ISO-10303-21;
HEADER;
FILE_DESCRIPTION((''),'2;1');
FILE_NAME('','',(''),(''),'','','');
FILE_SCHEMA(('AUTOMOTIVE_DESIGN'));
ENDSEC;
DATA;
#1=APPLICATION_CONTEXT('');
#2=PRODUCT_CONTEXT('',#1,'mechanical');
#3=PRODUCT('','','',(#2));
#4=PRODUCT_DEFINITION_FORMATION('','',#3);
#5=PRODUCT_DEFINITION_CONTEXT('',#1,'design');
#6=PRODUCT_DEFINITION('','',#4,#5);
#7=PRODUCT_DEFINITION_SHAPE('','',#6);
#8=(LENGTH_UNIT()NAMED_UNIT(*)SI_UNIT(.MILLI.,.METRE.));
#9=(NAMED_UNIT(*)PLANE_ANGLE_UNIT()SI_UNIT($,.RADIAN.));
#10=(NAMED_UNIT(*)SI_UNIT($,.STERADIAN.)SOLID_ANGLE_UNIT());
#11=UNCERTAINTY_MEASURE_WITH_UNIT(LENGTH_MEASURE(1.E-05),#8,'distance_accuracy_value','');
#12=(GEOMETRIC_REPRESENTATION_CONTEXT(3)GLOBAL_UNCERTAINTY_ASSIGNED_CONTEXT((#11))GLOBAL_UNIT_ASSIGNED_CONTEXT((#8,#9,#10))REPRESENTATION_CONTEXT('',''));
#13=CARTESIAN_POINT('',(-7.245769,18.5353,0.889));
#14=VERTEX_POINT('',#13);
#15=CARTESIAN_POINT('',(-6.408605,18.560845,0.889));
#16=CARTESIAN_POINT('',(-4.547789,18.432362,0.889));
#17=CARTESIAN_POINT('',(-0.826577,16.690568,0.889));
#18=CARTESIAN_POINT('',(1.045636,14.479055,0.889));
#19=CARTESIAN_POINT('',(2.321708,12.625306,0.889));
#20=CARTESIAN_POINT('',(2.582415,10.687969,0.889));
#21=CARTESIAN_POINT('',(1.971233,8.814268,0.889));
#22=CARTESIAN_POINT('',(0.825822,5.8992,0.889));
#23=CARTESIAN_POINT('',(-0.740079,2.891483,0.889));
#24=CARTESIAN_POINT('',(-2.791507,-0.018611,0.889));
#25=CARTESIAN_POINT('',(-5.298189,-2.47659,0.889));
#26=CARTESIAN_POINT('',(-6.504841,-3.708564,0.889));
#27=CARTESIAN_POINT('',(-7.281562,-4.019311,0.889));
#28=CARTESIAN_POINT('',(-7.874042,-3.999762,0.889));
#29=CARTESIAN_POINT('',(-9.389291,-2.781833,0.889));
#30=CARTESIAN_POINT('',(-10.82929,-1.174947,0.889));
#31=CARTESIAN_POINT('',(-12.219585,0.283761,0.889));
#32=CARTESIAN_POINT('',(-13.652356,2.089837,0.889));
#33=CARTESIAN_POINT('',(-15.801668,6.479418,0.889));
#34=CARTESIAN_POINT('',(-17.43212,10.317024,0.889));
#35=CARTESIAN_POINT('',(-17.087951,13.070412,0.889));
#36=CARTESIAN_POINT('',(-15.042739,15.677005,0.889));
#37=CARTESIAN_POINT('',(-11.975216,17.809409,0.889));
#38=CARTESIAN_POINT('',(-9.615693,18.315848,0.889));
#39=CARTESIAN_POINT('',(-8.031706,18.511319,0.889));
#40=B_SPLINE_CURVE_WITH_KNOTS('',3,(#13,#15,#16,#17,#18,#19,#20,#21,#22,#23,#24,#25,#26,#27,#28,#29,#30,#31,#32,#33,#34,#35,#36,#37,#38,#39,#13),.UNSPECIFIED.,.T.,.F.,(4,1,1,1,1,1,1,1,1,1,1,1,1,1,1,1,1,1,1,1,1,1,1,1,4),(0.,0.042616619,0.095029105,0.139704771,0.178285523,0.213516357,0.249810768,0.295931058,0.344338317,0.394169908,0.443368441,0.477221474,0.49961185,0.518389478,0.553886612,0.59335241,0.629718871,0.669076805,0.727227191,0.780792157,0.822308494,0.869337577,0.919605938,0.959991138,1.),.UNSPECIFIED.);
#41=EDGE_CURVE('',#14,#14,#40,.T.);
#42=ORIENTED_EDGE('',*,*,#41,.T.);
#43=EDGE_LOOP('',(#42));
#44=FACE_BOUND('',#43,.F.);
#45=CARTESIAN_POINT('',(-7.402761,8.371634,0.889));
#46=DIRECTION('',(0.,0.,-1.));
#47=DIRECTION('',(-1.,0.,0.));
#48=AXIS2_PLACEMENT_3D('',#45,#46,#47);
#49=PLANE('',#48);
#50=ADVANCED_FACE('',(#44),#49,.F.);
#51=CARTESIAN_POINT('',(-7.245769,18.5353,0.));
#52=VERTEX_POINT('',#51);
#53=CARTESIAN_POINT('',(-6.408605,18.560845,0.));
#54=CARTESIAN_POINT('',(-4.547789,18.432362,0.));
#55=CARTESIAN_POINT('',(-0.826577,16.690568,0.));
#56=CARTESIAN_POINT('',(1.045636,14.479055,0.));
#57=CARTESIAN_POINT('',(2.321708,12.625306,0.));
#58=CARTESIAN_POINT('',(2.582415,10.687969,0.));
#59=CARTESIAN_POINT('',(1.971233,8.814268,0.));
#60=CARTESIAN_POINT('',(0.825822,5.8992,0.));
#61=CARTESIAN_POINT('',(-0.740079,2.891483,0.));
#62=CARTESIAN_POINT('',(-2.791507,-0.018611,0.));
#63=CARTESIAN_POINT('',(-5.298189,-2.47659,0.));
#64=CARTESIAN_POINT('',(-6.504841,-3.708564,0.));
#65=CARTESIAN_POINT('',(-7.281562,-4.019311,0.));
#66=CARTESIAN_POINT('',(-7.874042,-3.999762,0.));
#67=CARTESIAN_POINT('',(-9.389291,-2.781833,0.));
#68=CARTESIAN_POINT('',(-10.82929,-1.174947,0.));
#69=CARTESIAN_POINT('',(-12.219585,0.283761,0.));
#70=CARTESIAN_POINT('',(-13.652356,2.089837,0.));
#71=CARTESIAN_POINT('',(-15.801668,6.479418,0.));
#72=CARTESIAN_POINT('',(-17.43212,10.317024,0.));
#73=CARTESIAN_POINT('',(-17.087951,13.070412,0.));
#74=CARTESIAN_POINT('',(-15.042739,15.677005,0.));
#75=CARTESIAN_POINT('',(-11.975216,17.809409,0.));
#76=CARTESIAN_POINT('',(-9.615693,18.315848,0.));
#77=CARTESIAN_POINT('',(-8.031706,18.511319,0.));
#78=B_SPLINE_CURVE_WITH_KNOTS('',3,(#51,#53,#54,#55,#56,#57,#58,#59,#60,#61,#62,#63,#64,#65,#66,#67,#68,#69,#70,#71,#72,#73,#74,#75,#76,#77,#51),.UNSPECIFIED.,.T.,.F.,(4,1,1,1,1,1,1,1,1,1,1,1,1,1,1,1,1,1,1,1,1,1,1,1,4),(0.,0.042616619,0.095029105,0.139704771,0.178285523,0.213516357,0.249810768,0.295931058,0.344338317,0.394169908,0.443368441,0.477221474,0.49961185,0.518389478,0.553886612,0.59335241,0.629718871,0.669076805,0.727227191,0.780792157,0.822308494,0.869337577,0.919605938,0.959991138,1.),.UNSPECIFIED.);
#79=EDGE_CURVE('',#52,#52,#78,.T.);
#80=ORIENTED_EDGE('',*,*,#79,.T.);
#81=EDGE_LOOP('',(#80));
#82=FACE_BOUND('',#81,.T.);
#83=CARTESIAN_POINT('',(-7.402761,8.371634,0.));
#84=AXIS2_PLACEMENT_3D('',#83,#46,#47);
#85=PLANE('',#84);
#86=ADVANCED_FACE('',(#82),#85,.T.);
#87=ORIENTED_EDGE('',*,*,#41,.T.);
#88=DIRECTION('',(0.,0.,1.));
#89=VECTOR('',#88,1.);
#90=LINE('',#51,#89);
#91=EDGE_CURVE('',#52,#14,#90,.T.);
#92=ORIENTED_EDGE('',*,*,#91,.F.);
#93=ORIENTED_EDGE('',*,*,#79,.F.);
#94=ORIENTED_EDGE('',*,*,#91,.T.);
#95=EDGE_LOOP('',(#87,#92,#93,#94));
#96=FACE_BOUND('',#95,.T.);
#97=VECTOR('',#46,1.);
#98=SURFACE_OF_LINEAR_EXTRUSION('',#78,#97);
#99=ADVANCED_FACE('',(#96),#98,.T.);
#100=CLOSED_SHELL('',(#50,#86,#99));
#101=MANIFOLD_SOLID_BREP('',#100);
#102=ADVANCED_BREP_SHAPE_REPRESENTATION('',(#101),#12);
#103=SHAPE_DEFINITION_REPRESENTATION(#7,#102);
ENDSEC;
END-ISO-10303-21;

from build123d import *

# Parameters (mm, degrees)
F1_DEPTH = 0.889


with BuildPart() as f1:
    # F0 (on Top) → F1 (new body)
    with BuildSketch(Plane.XY):
        with BuildLine():
            add(Edge.make_bspline(
                [(-7.245769073, 18.5353004182), (-6.4086050647, 18.5608447049), (-4.5477888598, 18.4323624983), (-0.8265772993, 16.6905682612), (1.045636349, 14.4790549113), (2.321707983, 12.6253061427), (2.5824148242, 10.6879685889), (1.9712333401, 8.8142681388), (0.8258218556, 5.8991999801), (-0.7400787748, 2.8914826464), (-2.7915066987, -0.0186113716), (-5.298188629, -2.4765900708), (-6.5048413466, -3.7085639557), (-7.2815616593, -4.019311234), (-7.874042472, -3.9997618915), (-9.3892905379, -2.7818334791), (-10.8292903752, -1.1749470908), (-12.2195853853, 0.2837607992), (-13.6523560501, 2.0898365086), (-15.8016678474, 6.4794182975), (-17.4321204375, 10.3170238882), (-17.0879512816, 13.0704120684), (-15.0427389829, 15.6770051653), (-11.9752156133, 17.8094092673), (-9.6156927021, 18.3158479084), (-8.0317061095, 18.511319214), (-7.245769073, 18.5353004182)],
                knots=[0, 0, 0, 0, 0.0426166193, 0.095029105, 0.1397047706, 0.1782855227, 0.2135163567, 0.2498107682, 0.2959310579, 0.3443383166, 0.3941699076, 0.4433684411, 0.4772214737, 0.4996118499, 0.5183894783, 0.5538866122, 0.5933524099, 0.6297188708, 0.6690768052, 0.7272271906, 0.7807921573, 0.8223084942, 0.8693375771, 0.9196059379, 0.9599911377, 1, 1, 1, 1], degree=3))
        make_face()
    extrude(amount=F1_DEPTH)


solid = f1.part
